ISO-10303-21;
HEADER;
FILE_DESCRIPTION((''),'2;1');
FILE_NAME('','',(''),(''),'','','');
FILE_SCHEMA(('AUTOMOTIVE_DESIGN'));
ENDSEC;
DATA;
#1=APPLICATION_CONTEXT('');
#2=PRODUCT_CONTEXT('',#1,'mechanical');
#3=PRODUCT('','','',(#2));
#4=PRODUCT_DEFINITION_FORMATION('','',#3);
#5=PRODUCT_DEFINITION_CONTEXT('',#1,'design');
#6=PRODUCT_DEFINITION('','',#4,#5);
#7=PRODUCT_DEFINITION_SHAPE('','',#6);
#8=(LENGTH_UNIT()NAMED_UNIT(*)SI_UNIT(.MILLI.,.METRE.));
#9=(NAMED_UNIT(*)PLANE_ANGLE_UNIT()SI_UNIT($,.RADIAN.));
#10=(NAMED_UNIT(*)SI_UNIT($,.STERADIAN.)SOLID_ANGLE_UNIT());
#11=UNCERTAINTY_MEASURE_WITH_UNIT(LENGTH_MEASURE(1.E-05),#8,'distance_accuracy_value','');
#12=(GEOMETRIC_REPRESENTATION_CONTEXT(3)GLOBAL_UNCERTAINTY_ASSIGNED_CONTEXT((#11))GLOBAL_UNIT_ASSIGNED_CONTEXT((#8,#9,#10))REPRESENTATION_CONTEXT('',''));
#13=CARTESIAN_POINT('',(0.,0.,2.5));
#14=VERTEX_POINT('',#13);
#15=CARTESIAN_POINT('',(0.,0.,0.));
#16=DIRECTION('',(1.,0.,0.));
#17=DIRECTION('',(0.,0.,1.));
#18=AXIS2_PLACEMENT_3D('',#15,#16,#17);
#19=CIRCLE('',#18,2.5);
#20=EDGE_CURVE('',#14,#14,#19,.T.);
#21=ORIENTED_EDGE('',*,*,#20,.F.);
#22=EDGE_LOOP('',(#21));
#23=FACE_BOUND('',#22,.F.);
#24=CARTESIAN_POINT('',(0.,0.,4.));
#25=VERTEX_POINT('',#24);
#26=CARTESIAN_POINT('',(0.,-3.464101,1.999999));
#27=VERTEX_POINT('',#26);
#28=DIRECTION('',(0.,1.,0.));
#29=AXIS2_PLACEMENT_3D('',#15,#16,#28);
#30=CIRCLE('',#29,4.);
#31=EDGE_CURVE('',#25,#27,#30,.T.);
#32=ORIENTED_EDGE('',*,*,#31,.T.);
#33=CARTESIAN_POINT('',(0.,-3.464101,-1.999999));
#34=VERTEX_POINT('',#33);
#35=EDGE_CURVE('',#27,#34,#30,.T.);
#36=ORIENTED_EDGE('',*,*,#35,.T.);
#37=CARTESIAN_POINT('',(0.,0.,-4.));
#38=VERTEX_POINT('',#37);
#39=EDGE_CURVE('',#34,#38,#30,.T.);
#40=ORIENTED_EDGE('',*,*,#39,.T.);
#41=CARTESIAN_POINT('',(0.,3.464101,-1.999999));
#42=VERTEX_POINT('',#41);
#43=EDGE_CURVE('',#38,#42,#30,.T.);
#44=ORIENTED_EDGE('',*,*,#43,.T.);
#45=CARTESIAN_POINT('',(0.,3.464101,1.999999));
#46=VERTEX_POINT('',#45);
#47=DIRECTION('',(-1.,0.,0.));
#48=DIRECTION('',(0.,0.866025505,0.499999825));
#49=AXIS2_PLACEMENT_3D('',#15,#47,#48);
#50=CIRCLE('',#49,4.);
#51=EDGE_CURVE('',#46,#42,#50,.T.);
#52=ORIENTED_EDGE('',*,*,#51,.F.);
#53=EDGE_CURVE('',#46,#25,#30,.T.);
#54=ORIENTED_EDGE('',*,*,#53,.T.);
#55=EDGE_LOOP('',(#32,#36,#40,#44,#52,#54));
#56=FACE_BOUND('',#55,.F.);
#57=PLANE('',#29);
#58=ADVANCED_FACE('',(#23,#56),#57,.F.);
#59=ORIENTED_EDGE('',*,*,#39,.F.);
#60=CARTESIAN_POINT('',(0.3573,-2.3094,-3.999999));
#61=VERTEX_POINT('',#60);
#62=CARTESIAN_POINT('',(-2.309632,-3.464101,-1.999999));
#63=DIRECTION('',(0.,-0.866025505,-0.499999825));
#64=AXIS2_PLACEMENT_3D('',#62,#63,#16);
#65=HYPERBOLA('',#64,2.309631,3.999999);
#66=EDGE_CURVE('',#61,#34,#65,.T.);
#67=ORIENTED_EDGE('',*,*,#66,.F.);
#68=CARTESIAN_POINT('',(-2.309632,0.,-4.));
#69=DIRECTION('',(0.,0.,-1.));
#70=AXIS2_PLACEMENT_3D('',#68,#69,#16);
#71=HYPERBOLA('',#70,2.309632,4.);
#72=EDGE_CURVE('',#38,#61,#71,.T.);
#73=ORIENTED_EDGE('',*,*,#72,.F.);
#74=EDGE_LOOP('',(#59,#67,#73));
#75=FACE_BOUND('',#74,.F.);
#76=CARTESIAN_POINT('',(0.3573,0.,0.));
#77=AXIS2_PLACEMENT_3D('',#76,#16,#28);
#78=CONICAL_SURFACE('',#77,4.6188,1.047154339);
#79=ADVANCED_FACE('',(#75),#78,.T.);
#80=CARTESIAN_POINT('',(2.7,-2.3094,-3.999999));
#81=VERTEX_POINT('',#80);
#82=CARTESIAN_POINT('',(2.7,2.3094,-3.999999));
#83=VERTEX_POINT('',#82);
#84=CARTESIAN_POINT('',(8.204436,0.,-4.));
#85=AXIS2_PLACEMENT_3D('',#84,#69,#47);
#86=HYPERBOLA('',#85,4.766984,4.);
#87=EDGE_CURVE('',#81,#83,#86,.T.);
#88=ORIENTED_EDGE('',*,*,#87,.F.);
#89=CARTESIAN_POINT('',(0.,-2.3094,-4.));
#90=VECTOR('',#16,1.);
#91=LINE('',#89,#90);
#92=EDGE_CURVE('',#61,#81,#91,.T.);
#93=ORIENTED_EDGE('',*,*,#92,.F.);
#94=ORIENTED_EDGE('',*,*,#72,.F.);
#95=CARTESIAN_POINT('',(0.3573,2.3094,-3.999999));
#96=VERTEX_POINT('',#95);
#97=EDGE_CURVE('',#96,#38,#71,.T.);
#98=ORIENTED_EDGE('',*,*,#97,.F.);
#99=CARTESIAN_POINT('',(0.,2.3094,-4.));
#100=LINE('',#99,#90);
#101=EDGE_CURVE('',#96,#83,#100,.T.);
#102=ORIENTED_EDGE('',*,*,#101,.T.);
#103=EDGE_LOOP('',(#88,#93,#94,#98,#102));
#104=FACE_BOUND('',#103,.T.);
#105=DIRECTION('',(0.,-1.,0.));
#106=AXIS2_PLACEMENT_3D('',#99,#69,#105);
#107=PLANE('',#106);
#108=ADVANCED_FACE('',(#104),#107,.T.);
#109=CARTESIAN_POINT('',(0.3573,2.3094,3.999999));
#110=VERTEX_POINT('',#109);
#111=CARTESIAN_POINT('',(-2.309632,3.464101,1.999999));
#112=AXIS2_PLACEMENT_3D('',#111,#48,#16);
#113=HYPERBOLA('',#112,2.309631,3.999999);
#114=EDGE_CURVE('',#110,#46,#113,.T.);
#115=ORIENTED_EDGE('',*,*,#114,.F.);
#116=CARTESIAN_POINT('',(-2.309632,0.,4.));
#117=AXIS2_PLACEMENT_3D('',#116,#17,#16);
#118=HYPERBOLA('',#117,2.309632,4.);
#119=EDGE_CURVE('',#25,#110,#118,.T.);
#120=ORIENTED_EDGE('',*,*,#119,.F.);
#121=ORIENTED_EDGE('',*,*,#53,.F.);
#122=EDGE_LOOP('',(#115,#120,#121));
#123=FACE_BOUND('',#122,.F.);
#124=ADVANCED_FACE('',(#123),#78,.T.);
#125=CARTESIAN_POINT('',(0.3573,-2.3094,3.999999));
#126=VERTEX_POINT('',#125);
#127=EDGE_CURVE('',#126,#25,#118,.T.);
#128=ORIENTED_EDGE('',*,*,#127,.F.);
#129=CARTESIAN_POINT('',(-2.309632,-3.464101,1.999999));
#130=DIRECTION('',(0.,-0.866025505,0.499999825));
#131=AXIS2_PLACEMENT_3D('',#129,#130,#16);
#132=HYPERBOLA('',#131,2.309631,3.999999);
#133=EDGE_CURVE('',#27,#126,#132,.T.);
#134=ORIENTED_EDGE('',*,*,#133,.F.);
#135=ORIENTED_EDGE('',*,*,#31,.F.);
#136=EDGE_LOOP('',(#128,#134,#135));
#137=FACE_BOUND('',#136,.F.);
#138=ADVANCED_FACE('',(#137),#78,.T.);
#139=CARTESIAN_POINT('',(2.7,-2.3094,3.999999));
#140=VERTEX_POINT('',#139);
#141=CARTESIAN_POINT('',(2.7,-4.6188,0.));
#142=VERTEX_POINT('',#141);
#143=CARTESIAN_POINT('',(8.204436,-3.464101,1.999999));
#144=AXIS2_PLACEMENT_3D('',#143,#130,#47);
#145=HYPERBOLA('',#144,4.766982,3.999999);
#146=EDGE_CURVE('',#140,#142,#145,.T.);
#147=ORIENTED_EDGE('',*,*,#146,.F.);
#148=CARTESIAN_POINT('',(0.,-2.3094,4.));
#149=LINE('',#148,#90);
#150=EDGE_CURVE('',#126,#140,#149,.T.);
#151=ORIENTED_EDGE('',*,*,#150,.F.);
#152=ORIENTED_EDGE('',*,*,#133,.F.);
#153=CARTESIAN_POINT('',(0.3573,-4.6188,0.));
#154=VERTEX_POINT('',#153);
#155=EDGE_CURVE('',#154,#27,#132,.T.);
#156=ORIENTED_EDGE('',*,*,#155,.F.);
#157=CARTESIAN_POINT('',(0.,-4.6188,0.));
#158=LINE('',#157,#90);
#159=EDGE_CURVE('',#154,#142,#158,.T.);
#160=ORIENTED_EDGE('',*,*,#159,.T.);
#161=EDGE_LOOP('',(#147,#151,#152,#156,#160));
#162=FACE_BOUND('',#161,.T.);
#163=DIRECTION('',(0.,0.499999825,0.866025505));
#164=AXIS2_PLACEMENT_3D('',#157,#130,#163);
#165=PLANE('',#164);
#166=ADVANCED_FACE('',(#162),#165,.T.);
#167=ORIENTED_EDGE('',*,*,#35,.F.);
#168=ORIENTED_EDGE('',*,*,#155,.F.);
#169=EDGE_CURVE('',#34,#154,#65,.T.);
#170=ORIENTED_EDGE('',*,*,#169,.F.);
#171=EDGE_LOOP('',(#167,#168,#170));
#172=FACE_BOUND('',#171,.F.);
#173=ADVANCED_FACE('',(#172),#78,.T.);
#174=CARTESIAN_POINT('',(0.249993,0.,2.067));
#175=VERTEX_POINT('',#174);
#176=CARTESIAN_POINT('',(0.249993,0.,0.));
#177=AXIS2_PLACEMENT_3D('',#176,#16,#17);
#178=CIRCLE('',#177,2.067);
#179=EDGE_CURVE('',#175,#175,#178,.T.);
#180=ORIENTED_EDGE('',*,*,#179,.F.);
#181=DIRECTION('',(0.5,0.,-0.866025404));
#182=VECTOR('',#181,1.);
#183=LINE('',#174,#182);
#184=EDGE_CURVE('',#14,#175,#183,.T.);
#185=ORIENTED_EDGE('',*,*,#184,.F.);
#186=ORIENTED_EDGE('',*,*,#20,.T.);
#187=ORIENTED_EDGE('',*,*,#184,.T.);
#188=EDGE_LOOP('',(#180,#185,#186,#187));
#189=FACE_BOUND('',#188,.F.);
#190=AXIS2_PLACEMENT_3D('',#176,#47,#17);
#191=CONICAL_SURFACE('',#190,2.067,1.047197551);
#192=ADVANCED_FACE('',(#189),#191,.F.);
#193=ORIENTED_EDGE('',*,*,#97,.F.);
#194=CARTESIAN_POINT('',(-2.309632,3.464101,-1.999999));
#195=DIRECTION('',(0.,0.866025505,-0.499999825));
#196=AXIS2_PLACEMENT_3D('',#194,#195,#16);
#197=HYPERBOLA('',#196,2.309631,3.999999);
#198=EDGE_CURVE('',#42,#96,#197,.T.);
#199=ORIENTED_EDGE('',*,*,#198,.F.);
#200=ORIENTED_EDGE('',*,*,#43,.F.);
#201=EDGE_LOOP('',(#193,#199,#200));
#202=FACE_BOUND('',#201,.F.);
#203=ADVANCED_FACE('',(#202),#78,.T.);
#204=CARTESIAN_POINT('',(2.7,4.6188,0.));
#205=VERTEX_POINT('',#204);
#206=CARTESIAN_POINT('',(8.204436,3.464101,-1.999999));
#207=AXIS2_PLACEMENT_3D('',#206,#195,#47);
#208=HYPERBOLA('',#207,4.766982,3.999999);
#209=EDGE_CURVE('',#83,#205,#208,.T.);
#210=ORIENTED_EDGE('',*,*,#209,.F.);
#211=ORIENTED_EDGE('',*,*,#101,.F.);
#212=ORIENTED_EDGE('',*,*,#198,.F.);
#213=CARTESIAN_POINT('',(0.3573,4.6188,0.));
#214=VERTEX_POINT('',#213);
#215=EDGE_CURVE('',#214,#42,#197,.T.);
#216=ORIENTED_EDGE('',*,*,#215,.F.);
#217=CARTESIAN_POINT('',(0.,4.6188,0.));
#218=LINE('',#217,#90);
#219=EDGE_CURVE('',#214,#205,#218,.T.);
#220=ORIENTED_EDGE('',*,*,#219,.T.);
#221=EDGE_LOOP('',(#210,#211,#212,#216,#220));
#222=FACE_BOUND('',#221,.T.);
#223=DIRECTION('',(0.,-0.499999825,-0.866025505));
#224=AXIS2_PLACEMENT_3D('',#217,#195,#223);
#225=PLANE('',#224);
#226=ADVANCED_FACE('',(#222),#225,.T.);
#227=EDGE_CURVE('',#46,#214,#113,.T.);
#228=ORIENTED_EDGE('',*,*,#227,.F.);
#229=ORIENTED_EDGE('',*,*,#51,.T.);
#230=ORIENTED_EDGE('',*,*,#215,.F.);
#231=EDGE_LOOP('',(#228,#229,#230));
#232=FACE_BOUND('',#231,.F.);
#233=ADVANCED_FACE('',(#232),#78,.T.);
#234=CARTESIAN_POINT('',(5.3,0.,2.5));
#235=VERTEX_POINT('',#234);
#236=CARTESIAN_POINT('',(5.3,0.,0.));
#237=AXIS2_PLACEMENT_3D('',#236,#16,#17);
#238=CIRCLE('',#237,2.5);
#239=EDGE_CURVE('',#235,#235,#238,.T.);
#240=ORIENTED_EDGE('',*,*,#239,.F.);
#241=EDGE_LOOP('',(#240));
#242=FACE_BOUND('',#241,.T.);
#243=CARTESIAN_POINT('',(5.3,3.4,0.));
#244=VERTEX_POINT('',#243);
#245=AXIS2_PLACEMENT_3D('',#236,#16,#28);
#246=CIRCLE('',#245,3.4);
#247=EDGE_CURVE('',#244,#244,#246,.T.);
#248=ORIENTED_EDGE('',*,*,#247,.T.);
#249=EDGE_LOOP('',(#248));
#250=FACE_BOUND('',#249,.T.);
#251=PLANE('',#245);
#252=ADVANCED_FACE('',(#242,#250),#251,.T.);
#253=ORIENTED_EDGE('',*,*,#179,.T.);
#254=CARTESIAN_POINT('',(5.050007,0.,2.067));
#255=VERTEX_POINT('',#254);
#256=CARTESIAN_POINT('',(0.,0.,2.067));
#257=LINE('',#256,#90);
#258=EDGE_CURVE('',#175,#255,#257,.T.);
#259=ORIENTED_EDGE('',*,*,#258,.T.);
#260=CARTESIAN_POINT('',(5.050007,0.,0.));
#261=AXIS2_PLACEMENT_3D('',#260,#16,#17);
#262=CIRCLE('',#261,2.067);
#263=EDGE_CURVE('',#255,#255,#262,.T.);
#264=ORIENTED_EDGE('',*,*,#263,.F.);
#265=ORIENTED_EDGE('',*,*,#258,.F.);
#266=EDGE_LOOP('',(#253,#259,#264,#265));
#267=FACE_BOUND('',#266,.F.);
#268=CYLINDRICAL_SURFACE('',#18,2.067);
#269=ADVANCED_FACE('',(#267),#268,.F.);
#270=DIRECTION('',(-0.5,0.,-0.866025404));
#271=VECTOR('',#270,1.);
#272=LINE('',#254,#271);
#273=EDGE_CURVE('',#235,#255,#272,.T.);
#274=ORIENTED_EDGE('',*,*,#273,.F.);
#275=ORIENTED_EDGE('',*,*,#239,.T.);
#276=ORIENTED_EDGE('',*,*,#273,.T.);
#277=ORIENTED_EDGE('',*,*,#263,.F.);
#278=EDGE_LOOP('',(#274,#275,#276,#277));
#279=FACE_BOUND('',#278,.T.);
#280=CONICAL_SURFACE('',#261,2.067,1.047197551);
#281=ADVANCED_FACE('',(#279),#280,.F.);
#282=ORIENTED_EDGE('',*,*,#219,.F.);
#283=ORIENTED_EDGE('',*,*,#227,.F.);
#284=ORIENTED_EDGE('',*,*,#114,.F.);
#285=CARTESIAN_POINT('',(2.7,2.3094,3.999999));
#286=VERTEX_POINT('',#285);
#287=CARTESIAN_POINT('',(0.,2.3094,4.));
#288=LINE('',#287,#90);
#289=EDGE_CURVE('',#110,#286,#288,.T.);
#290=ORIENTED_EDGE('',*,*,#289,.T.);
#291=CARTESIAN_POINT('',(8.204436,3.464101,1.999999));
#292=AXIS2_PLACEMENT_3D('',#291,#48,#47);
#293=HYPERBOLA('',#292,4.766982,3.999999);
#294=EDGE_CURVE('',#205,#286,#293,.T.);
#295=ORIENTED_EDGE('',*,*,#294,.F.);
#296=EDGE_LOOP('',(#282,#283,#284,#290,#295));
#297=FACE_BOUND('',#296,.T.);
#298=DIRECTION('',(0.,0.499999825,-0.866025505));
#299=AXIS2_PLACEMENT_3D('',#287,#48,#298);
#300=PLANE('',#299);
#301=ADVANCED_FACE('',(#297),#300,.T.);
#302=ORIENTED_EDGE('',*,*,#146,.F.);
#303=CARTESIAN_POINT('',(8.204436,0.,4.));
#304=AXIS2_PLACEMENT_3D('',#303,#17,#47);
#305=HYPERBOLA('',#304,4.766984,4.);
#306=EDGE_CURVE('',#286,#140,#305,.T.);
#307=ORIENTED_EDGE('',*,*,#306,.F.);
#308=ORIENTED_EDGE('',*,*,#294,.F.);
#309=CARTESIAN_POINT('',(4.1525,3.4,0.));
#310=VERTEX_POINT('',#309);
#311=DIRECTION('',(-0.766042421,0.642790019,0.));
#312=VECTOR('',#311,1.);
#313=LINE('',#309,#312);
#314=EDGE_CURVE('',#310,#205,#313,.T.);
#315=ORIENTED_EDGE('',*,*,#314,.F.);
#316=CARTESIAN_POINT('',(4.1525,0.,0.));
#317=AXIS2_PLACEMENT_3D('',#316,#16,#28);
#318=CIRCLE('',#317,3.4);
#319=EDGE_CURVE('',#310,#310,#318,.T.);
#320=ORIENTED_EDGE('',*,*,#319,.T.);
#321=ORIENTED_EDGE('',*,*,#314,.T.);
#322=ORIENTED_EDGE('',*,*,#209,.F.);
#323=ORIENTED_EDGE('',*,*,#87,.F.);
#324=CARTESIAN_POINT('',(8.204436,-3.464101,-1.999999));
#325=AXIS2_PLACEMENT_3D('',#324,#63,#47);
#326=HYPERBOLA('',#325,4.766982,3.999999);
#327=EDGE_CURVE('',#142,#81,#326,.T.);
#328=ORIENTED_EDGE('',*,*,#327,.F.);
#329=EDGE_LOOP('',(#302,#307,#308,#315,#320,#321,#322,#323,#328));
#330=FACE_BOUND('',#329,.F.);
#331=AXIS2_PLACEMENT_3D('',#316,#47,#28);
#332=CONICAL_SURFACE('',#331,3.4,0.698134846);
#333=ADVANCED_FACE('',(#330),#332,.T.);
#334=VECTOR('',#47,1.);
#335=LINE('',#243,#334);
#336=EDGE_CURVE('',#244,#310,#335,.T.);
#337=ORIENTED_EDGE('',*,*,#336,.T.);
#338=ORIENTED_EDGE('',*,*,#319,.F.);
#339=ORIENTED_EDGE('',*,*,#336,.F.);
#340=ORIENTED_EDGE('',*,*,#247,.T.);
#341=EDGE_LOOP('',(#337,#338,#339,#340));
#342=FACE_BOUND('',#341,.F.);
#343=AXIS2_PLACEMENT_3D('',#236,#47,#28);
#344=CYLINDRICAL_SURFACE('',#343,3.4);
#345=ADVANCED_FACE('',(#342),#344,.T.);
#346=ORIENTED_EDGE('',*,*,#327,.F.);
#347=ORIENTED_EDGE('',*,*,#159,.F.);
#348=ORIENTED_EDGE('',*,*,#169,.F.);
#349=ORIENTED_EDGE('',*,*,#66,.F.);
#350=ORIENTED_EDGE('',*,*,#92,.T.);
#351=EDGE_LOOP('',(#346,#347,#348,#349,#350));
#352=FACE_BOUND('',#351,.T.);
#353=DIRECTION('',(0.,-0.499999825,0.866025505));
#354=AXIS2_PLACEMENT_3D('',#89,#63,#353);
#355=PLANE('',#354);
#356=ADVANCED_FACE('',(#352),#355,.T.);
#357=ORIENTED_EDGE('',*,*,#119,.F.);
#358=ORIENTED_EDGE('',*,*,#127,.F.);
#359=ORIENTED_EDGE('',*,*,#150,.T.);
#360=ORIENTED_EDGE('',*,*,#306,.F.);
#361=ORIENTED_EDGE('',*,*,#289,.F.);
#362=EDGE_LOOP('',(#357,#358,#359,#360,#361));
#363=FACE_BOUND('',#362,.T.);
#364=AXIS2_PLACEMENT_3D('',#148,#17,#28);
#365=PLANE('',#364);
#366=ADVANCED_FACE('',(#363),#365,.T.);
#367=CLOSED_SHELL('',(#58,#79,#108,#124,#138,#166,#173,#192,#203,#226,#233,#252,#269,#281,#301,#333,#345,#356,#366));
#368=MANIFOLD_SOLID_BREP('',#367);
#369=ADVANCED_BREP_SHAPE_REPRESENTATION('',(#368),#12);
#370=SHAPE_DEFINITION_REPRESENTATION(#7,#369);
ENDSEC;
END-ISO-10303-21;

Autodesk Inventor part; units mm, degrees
ref_plane "YZ Plane" through (0, 0, 0) normal (1, 0, 0) x (0, 1, 0)
ref_plane "XZ Plane" through (0, 0, 0) normal (0, 1, 0) x (-1, 0, 0)
sketch "Sketch1" plane through (0, 0, 0) normal (1, 0, 0) x (0, 1, 0)
  line L0 (-4.6188, 0) -> (-2.3094, 4)
  line L1 (-2.3094, 4) -> (2.3094, 4)
  line L2 (2.3094, 4) -> (4.6188, 0)
  line L3 (4.6188, 0) -> (2.3094, -4)
  line L4 (2.3094, -4) -> (-2.3094, -4)
  line L5 (-2.3094, -4) -> (-4.6188, 0)
  point P0 (0, 0)
  point P1 (0, 0)
  dimension "d0" = 9.2376
extrude "Body" add sketch "Sketch1" along normal blind 5.3
sketch "Sketch2" plane through (0, 0, 0) normal (-1, 0, 0) x (0, 0, 1)
  line L0 (0, -6.4663) -> (0, 6.4663) projected
  line L1 (-5.6, 0) -> (5.6, 0) projected
  point P0 (0, 0)
hole "Thread" at (0, 0, 0) direction (1, 0, 0) diameter 4.134 end through all thread size "M5x0.8" class "6H" standard "ANSI Metric M Profile"
chamfer "Chamfer1" distance 0.433 angle 30 1 edges at (0, 0, -2.067) measured on face at (0, -2.8764, -1.7247)
chamfer "Chamfer2" distance 0.433 angle 30 1 edges at (5.3, 0, -2.067) measured on face at (5.3, -2.8764, -1.7247)
sketch "Sketch3" plane through (0, 0, 0) normal (0, 0, 1) x (1, 0, 0)
  line L0 (0, 2.3094) -> (0, 4.6188) projected
  line L1 (0, 4.6188) -> (5.3, 4.6188) projected
  line L2 (5.3, 2.3094) -> (5.3, 4.6188) projected
  line L3 (-1.06, 0) -> (6.36, 0) projected
  line L4 (0.3573, 4.6188) -> (0, 4)
  line L5 (5.3, 3.4) -> (4.1525, 3.4)
  line L6 (4.1525, 3.4) -> (2.7, 4.6188)
  dimension "d3" = 30
  dimension "d5" = 8
  dimension "d6" = 6.8
  dimension "d8" = 50
  dimension "d9" = 2.7
revolve "Chamfer3" cut sketch "Sketch3" angle 360 about axis through (-10, 0, 0) along (1, 0, 0)
ref_plane "Work Plane1" through (13.32, 0, 0) normal (0, 0, 1) x (-1, 0, 0)
equation "\"d0\" = 1.1547 * SW"
equation "\"d1\" = KOH"
equation "\"d3\" = ANG1"
equation "\"d5\" = SW0"
equation "\"d6\" = SW1"
equation "\"d8\" = ANG2"
equation "\"d9\" = KOH1"
equation "\"d10\" = -0.5 * GD1 + 0.5 * NND"
equation "\"d39\" = -0.5 * GD1 + 0.5 * NND"
equation "\"d12\" = -0.5 * GD1 + 0.5 * NND"
equation "\"d40\" = -0.5 * GD1 + 0.5 * NND"
equation "\"ANG1\" = 30deg"
equation "\"ANG2\" = 50deg"
equation "\"NND\" = 5"
equation "\"KOH\" = 5.3"
equation "\"SW\" = 8"
equation "\"SW0\" = SW"
equation "\"SW1\" = 0.85 * SW"
equation "\"KOH1\" = 2.7"
equation "\"GUL\" = 0.541266 * PTC"
equation "\"THREADDIA\" = 5"
equation "\"TOA\" = 30deg"
equation "\"PTC\" = 0.8"
equation "\"E0\" = 1.155 * SW"
equation "\"GAL\" = 0.541266 * PTC"
equation "\"GD1\" = 4.133975"
properties part number "ANSI B18.16.3M - Property Class 9 - Metric M5 x 0.8 Metal Type" material "Steel, Mild"
